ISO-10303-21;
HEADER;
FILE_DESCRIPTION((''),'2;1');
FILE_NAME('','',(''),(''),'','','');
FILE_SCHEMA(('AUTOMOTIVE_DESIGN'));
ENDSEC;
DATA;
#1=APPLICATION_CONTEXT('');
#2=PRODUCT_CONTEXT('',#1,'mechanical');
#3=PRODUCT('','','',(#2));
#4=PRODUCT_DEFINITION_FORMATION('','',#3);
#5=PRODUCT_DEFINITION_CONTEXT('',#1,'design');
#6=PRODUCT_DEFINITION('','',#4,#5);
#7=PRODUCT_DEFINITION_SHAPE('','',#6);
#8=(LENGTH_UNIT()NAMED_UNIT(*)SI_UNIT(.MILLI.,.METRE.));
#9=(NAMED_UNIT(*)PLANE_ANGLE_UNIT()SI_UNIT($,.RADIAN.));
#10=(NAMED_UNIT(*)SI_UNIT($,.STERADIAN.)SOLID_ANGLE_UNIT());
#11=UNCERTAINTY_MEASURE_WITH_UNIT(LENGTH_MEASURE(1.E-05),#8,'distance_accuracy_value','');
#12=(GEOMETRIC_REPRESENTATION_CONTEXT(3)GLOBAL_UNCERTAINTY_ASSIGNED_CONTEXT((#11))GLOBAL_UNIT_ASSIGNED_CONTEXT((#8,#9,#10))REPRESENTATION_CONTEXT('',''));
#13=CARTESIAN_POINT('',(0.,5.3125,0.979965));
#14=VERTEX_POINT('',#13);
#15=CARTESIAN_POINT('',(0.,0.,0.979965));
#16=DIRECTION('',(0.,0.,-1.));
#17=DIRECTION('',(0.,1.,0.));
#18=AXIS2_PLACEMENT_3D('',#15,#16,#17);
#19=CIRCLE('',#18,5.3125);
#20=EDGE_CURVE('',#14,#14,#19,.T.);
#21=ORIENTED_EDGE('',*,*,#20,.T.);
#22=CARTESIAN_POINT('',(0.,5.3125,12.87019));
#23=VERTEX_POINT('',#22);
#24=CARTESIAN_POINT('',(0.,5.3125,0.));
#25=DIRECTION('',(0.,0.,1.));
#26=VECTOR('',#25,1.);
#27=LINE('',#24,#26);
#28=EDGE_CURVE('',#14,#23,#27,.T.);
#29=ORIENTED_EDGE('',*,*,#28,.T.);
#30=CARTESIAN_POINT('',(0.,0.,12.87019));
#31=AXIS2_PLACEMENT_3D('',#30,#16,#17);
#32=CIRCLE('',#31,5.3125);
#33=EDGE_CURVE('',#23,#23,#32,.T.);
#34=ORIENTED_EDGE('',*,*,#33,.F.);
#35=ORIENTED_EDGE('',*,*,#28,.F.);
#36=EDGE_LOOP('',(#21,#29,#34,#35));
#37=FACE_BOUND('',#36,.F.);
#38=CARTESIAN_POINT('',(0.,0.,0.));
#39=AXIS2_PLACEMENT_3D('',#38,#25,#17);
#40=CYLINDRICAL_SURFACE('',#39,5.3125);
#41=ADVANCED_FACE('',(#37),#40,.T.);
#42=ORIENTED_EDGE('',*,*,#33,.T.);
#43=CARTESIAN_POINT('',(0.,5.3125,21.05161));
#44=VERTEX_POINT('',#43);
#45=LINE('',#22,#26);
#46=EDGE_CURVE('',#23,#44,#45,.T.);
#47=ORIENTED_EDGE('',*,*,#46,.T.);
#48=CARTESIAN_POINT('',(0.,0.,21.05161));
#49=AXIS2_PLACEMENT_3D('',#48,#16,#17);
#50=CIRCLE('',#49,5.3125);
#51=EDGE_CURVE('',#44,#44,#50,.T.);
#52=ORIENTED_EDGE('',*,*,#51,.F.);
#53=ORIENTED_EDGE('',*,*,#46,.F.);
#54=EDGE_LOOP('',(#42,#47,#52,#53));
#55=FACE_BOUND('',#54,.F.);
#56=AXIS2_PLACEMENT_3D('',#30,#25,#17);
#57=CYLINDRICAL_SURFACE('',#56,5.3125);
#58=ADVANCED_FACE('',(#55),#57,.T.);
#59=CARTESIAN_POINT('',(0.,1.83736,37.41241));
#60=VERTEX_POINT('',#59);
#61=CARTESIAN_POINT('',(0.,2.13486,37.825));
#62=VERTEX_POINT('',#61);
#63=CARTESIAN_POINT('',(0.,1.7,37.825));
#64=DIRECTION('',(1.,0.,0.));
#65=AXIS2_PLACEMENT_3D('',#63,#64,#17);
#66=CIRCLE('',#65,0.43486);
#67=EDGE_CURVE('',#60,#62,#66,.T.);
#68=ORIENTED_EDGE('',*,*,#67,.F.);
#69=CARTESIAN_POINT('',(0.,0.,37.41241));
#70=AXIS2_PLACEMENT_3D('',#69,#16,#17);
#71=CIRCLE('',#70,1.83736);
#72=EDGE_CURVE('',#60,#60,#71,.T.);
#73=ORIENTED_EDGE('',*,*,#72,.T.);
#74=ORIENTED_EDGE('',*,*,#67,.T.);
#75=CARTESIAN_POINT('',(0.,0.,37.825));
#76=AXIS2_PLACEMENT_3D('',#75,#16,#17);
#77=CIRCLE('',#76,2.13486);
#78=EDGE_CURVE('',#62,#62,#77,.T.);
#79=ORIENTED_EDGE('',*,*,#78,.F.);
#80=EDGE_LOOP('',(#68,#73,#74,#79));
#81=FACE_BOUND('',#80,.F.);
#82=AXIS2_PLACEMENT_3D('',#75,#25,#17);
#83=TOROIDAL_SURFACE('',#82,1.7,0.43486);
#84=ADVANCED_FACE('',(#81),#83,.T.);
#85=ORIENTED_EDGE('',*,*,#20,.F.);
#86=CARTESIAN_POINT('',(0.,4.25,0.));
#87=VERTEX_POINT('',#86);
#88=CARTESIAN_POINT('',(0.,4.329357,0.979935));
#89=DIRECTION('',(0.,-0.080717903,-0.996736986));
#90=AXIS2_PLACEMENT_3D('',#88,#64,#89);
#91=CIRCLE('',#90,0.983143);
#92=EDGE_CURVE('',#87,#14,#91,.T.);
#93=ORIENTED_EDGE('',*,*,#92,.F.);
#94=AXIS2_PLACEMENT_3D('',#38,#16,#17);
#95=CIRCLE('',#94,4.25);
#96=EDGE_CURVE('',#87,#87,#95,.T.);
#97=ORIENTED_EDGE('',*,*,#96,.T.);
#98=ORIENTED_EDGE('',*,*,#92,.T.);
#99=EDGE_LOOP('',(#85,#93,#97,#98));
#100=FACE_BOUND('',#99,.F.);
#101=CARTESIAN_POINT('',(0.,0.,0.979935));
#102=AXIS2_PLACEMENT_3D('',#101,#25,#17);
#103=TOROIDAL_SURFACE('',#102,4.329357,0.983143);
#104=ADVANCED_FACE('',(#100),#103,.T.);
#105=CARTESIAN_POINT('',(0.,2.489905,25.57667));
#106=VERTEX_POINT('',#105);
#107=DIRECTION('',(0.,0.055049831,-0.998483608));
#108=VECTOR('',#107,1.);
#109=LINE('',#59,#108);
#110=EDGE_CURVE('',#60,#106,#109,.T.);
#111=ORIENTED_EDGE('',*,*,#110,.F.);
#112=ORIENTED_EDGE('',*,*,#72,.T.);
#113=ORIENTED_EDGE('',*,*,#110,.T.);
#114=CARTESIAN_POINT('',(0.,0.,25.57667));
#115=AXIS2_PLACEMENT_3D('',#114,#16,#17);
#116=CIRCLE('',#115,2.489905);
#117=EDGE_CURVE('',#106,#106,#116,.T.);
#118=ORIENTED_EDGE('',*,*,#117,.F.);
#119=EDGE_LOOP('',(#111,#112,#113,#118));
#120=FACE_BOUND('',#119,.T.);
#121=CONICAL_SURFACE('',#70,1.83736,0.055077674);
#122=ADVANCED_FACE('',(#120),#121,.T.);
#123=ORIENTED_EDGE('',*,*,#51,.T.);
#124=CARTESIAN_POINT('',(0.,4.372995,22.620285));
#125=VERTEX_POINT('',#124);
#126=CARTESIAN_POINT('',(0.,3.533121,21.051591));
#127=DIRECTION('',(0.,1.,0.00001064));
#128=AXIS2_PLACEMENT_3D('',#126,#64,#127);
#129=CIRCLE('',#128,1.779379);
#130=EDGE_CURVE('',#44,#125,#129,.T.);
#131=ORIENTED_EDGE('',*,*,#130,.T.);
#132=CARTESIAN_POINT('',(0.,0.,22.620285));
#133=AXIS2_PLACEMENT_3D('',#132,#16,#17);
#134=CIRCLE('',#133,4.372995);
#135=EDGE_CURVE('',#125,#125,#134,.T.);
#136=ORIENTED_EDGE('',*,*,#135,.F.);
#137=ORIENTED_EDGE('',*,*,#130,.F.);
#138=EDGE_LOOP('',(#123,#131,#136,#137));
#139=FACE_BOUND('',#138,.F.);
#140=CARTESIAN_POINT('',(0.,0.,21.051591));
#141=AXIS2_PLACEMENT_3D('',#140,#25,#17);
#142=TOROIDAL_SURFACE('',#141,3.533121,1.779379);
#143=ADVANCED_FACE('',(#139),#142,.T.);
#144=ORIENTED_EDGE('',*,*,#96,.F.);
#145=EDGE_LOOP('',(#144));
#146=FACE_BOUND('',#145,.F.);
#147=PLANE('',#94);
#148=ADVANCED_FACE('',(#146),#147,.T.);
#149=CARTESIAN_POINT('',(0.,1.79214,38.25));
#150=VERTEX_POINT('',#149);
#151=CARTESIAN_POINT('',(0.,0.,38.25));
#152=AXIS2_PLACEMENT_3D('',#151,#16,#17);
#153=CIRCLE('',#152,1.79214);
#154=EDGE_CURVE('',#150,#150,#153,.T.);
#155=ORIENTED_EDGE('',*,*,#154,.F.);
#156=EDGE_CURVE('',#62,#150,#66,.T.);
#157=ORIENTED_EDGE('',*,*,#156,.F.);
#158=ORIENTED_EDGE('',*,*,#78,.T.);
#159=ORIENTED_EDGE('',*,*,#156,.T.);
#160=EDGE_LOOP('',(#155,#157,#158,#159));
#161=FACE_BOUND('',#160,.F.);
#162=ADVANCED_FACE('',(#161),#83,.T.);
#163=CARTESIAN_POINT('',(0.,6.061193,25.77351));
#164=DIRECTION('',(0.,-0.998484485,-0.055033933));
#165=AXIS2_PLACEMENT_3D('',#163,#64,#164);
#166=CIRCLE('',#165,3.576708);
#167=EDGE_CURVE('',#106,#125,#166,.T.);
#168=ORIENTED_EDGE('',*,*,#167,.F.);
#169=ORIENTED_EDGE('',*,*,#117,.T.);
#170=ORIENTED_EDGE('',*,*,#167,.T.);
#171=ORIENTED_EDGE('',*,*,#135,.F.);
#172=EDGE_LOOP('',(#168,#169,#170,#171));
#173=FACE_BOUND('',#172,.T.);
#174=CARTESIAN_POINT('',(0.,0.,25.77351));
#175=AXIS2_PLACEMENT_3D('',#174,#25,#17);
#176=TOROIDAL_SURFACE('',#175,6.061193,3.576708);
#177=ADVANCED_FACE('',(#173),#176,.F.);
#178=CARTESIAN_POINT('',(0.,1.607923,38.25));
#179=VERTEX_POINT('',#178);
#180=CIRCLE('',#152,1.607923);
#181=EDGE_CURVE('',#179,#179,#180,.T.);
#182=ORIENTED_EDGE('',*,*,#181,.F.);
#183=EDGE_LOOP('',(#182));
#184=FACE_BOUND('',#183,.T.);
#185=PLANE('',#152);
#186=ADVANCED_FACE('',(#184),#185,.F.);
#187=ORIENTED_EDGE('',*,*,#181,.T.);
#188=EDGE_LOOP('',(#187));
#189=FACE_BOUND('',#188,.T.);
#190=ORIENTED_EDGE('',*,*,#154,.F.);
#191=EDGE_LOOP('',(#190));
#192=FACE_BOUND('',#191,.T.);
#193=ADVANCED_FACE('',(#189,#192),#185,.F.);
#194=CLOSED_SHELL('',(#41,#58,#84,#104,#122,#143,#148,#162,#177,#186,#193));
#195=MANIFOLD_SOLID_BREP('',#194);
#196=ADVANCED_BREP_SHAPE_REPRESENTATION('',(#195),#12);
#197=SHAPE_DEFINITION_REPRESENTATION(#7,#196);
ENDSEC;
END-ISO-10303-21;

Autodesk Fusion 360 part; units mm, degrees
sketch "Sketch1" plane through (0, 0, 0) normal (1, 0, 0) x (0, 1, 0)
  line L0 (0, 0) -> (0, 45) construction
  line L1 (0, 0) -> (6.25, 0)
  line L2 (6.25, 0) -> (6.25, 15.1414)
  line L3 (0, 45) -> (2.1084, 45)
  line L4 (0, 45) -> (0, 0)
  arc A0 (5, 0) -> (6.25, 1.1529) centre (5.0934, 1.1529) ccw
  line L5 (2.1616, 44.0146) -> (2.9293, 30.0902)
  arc A1 (2.9293, 30.0902) -> (5.1447, 26.6121) centre (7.1308, 30.3218) ccw
  line L6 (6.25, 15.1414) -> (6.25, 24.7666)
  arc A2 (6.25, 24.7666) -> (5.1447, 26.6121) centre (4.1566, 24.7666) ccw
  circle A3 centre (2, 44.5) radius 0.5116
  dimension "d1" = 45
  dimension "d2" = 6.25
revolve "Revolve5" add sketch "Sketch1" angle 360 about axis through (0, 0, 45) along (0, 0, -1) contours L1 L2 L3 L4 A0 L5 A1 L6 A2 A3 | L3 A3 picked at (1.8629, 44.6458)
scale "Scale1" factor 0.85 about (0, 0, 0) bodies 1
